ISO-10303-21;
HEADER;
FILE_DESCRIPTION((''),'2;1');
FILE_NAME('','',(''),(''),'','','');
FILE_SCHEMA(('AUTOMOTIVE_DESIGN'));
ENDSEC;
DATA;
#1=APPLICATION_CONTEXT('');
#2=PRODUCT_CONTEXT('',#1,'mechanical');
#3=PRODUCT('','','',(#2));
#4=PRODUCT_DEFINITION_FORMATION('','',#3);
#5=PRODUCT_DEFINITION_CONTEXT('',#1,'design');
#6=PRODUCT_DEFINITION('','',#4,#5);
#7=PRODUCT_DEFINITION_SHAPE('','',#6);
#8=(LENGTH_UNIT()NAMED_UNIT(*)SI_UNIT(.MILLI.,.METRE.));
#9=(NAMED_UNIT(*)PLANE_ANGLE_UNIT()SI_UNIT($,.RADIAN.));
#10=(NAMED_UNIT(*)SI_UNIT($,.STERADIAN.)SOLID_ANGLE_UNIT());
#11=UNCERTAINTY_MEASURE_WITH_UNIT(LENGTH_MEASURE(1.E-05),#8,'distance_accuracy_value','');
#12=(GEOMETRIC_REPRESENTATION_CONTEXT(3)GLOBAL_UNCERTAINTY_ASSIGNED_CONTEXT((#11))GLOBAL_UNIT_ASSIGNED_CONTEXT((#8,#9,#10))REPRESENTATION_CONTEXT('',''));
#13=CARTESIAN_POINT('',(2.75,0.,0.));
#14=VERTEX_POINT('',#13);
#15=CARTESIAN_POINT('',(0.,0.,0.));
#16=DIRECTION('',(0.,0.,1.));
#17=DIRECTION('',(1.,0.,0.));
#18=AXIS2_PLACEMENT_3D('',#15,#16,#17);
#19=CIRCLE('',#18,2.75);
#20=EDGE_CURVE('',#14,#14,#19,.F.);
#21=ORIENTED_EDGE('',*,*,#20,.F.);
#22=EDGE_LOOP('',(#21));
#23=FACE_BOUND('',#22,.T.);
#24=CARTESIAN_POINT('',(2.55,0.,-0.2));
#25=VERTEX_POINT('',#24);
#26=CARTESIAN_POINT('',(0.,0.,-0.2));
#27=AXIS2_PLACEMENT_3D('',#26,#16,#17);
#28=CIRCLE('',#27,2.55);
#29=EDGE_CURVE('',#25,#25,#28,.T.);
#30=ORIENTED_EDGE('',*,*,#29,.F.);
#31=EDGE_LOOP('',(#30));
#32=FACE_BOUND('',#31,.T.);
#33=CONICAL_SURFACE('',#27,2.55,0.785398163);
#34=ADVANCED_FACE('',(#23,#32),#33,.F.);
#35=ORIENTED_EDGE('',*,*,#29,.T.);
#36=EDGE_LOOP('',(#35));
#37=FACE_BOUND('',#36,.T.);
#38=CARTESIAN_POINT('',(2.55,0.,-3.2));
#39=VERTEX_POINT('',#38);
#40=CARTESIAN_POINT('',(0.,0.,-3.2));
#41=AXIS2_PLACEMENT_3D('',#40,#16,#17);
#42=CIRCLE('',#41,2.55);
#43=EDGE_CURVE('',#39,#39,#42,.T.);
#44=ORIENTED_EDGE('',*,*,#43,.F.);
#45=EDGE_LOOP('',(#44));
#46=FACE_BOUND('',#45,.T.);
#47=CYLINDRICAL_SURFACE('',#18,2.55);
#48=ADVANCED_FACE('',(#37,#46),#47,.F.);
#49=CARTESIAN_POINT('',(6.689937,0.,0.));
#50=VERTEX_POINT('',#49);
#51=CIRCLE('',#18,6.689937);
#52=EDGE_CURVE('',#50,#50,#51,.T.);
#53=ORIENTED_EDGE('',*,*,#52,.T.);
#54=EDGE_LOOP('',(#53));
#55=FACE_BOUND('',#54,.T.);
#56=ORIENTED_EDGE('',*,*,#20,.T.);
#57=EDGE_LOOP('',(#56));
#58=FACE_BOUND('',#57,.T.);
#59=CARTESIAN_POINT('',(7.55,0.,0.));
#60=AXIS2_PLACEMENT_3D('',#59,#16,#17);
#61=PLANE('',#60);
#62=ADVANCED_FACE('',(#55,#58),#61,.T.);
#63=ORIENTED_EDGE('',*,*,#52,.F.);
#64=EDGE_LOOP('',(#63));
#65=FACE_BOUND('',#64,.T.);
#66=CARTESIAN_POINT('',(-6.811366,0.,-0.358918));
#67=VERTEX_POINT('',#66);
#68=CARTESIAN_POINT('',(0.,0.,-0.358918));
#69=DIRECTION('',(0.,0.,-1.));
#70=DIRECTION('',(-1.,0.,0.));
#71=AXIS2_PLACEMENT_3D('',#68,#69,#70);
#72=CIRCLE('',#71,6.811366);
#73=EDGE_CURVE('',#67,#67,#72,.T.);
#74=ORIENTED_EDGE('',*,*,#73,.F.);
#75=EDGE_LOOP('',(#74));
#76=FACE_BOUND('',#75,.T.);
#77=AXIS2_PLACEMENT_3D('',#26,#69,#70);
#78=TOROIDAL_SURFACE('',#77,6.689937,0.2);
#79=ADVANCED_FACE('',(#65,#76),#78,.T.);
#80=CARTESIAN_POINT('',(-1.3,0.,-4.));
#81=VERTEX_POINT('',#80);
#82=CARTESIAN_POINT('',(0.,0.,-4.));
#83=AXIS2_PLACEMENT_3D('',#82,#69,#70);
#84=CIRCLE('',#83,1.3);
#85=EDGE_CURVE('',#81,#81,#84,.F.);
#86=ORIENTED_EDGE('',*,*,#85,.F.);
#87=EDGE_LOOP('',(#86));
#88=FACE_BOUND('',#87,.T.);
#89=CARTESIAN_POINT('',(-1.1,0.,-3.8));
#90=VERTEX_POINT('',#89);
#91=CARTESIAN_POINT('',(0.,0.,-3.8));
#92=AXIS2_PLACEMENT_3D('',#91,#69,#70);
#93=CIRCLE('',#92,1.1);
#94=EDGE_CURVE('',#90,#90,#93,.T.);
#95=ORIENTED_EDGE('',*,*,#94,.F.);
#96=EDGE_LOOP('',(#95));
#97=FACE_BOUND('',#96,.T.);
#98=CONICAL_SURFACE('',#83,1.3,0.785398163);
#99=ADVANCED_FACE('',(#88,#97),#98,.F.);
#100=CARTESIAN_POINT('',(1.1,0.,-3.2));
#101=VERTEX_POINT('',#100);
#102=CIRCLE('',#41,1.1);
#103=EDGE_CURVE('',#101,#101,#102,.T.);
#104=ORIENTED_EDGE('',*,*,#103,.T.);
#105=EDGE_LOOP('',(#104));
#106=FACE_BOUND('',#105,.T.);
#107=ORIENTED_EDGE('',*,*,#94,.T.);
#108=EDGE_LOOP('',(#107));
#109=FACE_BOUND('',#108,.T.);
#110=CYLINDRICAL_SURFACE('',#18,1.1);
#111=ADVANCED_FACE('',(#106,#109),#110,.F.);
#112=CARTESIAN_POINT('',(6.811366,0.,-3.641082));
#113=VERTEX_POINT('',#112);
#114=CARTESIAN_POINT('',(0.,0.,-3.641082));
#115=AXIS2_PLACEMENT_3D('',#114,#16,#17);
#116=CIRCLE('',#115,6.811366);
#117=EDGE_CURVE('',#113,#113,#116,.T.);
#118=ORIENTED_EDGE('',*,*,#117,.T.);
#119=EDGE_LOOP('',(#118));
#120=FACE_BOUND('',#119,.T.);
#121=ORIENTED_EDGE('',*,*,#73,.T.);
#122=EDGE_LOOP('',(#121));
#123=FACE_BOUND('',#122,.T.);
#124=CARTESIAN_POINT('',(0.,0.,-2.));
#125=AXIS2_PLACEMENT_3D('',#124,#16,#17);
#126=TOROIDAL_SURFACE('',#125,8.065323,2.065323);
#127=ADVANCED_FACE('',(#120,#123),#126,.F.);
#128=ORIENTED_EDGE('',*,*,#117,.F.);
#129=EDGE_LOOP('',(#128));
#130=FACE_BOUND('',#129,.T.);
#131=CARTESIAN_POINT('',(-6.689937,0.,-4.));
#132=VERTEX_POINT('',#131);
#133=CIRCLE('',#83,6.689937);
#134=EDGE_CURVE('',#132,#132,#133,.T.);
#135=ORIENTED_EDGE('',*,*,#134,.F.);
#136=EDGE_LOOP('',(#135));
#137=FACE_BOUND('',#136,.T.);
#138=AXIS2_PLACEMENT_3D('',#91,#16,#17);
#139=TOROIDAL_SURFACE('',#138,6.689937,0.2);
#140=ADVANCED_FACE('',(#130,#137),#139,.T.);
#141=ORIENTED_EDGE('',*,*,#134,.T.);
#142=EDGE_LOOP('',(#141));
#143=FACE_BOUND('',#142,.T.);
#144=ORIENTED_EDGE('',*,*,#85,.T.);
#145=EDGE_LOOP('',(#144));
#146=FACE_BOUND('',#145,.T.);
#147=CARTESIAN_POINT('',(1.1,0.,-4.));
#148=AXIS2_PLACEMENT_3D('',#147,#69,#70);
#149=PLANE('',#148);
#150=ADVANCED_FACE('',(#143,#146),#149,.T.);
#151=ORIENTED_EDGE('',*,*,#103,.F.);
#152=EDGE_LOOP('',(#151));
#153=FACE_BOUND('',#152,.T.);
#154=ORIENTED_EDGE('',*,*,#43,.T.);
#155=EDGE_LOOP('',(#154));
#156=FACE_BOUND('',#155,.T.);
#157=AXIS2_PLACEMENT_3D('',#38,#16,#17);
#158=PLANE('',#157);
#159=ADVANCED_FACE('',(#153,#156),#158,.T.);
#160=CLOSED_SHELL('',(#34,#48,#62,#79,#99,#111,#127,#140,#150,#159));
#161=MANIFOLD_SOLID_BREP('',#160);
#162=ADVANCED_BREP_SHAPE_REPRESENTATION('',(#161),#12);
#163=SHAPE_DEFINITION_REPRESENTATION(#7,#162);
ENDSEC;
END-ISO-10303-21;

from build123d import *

# Parameters (mm, degrees)
FILLET1_R     = 0.2
CHAMFER2_SIZE = 0.2


with BuildPart() as part:
    # Sketch2 → Revolve1 (revolve)
    with BuildSketch(Plane(origin=(0, 0, 0), x_dir=(1, 0, 0), z_dir=(0, 1, 0))):
        with BuildLine():
            Line((1.1, 4), (7.55, 4))
            ThreePointArc((7.55, 4), (6, 2), (7.55, 0))
            Line((7.55, 0), (2.55, 0))
            Line((2.55, 0), (2.55, 3.2))
            Line((2.55, 3.2), (1.1, 3.2))
            Line((1.1, 3.2), (1.1, 4))
        make_face()
    revolve(axis=Axis((0, 0, 0), (0, 0, -1)))

    # Fillet1
    fillet1_edges = [part.edges().sort_by_distance(p)[0] for p in [
        (-7.55, 0, 0),
        (-7.55, 0, -4),
    ]]
    fillet(fillet1_edges, radius=FILLET1_R)

    # Chamfer2
    chamfer2_edges = [part.edges().sort_by_distance(p)[0] for p in [
        (-2.55, 0, 0),
        (-1.1, 0, -4),
    ]]
    chamfer(chamfer2_edges, length=CHAMFER2_SIZE)


solid = part.part
